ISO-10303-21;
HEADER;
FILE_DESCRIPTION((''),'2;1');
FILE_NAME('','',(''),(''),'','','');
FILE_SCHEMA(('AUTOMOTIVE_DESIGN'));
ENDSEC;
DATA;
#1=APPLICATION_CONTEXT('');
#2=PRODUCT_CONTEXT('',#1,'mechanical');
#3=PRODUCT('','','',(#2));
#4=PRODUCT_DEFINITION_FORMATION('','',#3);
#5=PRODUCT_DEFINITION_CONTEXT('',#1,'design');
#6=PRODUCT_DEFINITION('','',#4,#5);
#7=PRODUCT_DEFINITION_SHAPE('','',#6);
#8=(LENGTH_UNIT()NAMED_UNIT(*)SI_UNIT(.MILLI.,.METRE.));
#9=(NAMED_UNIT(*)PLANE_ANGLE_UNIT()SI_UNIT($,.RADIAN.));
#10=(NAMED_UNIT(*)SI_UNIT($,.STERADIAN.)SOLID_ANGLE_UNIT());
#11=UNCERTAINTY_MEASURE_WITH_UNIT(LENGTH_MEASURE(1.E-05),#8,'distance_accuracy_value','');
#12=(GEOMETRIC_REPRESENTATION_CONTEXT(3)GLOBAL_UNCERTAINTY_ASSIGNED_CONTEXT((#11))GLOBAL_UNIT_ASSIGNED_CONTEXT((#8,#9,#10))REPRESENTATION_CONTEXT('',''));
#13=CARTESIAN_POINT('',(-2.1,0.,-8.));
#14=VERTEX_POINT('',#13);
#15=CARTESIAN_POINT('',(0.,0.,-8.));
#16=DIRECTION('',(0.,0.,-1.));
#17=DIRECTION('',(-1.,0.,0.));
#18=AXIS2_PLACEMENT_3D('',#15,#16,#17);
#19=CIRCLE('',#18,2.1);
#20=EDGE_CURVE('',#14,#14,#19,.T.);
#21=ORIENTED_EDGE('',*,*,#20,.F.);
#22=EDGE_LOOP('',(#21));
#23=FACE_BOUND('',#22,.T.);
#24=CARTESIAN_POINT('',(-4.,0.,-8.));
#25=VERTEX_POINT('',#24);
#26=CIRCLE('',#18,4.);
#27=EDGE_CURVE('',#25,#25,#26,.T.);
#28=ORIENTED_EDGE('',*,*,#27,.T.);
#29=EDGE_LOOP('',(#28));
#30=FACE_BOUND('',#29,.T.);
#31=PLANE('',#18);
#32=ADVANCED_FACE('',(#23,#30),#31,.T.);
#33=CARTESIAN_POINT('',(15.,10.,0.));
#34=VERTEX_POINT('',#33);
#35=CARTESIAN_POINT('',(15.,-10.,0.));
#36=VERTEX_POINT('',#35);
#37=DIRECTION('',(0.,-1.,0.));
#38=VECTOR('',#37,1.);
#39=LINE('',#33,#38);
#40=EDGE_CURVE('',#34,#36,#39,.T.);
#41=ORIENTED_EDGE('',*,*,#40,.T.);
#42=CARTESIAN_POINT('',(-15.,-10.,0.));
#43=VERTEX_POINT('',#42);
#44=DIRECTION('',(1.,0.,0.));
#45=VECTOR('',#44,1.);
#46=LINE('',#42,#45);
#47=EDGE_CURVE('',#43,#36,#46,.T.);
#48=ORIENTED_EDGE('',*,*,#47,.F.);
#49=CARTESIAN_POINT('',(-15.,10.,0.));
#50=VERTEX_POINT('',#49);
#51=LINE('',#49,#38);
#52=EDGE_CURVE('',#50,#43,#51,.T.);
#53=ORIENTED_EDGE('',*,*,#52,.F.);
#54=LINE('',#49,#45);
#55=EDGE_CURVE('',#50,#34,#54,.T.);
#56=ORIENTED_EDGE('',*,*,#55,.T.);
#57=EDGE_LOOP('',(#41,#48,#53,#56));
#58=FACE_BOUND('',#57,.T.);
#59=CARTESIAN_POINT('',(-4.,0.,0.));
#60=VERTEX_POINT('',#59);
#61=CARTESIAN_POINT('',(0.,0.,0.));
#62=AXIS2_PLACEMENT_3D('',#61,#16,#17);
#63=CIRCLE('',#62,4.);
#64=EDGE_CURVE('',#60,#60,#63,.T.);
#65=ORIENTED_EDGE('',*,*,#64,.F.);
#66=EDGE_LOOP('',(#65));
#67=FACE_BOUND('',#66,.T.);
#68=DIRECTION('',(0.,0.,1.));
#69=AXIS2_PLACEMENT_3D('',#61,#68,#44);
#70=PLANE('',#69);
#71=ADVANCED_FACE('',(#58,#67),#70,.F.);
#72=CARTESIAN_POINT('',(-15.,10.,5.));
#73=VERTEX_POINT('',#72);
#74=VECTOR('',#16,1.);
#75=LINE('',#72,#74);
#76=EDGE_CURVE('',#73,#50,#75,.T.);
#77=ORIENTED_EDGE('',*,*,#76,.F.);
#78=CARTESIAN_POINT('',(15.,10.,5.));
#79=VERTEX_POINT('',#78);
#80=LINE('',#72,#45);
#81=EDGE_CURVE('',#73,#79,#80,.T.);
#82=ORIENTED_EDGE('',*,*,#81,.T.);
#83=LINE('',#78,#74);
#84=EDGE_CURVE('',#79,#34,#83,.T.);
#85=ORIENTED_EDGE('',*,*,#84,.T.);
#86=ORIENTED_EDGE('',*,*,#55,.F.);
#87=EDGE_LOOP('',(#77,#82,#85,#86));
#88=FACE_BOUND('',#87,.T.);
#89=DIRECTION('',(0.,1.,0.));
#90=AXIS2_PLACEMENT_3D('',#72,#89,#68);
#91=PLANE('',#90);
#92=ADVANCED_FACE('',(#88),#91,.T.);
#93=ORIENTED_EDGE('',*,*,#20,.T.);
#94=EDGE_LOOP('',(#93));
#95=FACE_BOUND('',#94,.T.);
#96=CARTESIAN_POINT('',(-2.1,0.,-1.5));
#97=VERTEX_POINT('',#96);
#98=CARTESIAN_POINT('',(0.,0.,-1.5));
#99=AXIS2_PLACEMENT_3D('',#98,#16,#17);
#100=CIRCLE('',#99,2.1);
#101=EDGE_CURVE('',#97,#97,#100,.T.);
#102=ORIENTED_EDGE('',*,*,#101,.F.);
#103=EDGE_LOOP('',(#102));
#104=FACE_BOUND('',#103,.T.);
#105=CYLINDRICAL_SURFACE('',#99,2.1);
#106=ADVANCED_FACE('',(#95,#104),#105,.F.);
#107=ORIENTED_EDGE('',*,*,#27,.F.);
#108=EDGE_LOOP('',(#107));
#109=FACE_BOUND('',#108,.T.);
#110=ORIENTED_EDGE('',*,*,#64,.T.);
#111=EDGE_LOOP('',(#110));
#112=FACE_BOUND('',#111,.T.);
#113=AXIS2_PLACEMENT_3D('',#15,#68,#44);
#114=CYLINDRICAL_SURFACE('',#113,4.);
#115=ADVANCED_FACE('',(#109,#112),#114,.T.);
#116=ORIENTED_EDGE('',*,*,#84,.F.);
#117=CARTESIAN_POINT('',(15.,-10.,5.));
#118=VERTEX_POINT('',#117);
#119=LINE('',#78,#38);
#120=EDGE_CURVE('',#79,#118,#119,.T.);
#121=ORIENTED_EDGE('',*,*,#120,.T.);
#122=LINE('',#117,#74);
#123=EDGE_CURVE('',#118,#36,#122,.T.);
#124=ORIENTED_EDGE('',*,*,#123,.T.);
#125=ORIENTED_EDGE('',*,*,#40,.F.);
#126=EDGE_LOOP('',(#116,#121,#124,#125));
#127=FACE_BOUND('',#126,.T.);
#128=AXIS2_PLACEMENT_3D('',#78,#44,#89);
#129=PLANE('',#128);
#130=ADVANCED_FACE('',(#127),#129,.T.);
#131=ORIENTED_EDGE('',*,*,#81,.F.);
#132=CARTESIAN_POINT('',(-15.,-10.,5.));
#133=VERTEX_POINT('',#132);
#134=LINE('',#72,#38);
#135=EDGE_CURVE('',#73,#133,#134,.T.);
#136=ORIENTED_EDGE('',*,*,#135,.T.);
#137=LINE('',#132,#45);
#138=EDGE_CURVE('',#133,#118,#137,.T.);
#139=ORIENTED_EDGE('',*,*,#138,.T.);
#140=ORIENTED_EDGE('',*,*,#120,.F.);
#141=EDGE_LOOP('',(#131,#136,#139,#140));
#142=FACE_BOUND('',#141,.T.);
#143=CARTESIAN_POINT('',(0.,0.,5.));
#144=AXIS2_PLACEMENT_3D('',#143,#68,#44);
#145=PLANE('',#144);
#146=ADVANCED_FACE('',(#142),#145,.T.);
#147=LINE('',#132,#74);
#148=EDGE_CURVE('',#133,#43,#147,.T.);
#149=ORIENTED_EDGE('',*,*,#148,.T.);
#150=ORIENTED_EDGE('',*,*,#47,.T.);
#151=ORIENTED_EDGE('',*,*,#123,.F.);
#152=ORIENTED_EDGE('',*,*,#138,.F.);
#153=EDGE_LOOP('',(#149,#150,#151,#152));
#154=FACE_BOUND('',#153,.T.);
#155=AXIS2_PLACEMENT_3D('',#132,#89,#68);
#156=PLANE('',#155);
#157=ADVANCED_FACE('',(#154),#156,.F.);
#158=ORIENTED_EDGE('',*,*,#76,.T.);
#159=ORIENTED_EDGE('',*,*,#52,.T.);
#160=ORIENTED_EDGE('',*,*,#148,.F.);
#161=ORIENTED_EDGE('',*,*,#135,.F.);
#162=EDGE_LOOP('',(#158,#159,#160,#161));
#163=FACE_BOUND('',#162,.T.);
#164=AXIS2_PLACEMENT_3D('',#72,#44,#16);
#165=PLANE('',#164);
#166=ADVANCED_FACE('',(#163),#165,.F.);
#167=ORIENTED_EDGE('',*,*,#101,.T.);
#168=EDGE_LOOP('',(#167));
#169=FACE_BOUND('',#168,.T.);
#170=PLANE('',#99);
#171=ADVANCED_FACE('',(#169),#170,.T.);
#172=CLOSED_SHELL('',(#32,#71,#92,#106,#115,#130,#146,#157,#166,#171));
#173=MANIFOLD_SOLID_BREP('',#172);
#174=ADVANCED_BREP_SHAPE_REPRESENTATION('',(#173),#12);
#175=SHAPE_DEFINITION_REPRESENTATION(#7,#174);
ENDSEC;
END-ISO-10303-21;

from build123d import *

# Parameters (mm, degrees)
CROQUIS1_W              = 30
CROQUIS1_H              = 20
SALIENTE_EXTRUIR1_DEPTH = 5
CROQUIS2_R              = 4
SALIENTE_EXTRUIR3_DEPTH = 8
CROQUIS3_R              = 2.1
CORTAR_EXTRUIR1_DEPTH   = 6.5


with BuildPart() as part:
    # Croquis1 → Saliente-Extruir1 (new body)
    with BuildSketch(Plane.XY):
        Rectangle(CROQUIS1_W, CROQUIS1_H)
    extrude(amount=SALIENTE_EXTRUIR1_DEPTH)

    # Croquis2 → Saliente-Extruir3 (add)
    with BuildSketch(Plane(origin=(0, 0, 0), x_dir=(-1, 0, 0), z_dir=(0, 0, -1))):
        Circle(CROQUIS2_R)
    extrude(amount=SALIENTE_EXTRUIR3_DEPTH)

    # Croquis3 → Cortar-Extruir1 (cut)
    with BuildSketch(Plane(origin=(0, 0, -8), x_dir=(-1, 0, 0), z_dir=(0, 0, -1))):
        Circle(CROQUIS3_R)
    extrude(amount=-CORTAR_EXTRUIR1_DEPTH, mode=Mode.SUBTRACT)


solid = part.part
